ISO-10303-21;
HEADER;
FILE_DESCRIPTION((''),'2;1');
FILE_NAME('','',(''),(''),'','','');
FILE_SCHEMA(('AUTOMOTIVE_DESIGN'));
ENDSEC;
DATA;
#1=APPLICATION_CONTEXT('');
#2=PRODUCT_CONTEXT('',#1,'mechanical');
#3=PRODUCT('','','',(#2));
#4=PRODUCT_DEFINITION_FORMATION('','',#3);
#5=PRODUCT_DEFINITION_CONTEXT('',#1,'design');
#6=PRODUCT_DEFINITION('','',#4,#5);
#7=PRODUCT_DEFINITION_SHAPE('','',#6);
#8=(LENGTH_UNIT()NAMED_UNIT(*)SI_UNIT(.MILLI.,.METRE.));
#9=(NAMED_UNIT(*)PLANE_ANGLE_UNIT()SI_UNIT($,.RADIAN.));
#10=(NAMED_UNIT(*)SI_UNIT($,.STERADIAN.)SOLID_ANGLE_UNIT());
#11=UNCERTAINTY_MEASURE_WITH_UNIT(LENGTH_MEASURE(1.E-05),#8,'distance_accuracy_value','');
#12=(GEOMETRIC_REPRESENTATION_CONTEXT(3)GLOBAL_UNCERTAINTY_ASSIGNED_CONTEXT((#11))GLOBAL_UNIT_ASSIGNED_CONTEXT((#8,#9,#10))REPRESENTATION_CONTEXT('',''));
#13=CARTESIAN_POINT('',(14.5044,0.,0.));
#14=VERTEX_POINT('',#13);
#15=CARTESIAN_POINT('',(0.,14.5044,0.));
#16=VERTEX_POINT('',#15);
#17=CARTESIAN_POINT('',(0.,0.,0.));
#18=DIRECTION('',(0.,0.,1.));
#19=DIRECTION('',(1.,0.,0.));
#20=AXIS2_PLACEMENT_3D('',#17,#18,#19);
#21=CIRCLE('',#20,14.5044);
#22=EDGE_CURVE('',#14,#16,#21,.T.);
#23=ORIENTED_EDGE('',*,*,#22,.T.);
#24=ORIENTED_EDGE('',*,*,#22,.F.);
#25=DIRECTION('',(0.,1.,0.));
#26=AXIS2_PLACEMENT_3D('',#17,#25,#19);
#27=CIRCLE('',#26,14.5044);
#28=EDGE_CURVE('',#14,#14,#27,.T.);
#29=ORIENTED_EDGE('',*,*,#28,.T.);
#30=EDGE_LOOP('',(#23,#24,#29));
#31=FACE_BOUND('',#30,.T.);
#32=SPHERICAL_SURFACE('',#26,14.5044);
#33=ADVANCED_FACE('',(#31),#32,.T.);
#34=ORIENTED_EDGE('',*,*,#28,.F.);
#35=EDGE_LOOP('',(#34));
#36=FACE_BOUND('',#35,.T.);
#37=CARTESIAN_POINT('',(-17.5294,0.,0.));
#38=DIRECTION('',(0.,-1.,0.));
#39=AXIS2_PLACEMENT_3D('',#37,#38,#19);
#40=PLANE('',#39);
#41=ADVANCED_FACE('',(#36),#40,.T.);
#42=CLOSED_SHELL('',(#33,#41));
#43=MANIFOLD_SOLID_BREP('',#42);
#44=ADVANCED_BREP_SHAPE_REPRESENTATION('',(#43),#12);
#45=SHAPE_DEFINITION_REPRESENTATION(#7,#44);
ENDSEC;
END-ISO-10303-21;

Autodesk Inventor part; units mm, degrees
ref_plane "YZ Plane" through (0, 0, 0) normal (1, 0, 0) x (0, 1, 0)
ref_plane "XZ Plane" through (0, 0, 0) normal (0, 1, 0) x (-1, 0, 0)
ref_plane "XY Plane" through (0, 0, 0) normal (0, 0, 1) x (1, 0, 0)
sketch "Sketch1" plane through (0, 0, 0) normal (0, 0, 1) x (1, 0, 0)
  circle A0 centre (0, 0) radius 14.5044
  line L0 (0, 0) -> (0, 14.5044)
  line L1 (0, 0) -> (0, -14.5044)
revolve "Revolution1" add sketch "Sketch1" angle 360 about axis through (0, 0, 0) along (0, 1, 0) picked at (9.5484, -1.0758) contours A0 L1 L0
sketch "Sketch2" plane through (0, 0, 0) normal (0, 0, 1) x (1, 0, 0)
  line L0 (-17.5294, 0) -> (21.1361, 0)
  line L1 (21.1361, 0) -> (16.0945, -13.7482)
  line L2 (16.0945, -13.7482) -> (4.7314, -16.7344)
  line L3 (4.7314, -16.7344) -> (-11.3631, -14.9892)
  line L4 (-11.3631, -14.9892) -> (-16.6762, -5.2162)
  line L5 (-16.6762, -5.2162) -> (-19.512, 0)
  line L6 (-17.5294, 0) -> (-19.512, 0)
  point P0 (0, 0)
extrude "Extrusion1" cut sketch "Sketch2" against normal mid plane 30.5
properties part number "Ball"
